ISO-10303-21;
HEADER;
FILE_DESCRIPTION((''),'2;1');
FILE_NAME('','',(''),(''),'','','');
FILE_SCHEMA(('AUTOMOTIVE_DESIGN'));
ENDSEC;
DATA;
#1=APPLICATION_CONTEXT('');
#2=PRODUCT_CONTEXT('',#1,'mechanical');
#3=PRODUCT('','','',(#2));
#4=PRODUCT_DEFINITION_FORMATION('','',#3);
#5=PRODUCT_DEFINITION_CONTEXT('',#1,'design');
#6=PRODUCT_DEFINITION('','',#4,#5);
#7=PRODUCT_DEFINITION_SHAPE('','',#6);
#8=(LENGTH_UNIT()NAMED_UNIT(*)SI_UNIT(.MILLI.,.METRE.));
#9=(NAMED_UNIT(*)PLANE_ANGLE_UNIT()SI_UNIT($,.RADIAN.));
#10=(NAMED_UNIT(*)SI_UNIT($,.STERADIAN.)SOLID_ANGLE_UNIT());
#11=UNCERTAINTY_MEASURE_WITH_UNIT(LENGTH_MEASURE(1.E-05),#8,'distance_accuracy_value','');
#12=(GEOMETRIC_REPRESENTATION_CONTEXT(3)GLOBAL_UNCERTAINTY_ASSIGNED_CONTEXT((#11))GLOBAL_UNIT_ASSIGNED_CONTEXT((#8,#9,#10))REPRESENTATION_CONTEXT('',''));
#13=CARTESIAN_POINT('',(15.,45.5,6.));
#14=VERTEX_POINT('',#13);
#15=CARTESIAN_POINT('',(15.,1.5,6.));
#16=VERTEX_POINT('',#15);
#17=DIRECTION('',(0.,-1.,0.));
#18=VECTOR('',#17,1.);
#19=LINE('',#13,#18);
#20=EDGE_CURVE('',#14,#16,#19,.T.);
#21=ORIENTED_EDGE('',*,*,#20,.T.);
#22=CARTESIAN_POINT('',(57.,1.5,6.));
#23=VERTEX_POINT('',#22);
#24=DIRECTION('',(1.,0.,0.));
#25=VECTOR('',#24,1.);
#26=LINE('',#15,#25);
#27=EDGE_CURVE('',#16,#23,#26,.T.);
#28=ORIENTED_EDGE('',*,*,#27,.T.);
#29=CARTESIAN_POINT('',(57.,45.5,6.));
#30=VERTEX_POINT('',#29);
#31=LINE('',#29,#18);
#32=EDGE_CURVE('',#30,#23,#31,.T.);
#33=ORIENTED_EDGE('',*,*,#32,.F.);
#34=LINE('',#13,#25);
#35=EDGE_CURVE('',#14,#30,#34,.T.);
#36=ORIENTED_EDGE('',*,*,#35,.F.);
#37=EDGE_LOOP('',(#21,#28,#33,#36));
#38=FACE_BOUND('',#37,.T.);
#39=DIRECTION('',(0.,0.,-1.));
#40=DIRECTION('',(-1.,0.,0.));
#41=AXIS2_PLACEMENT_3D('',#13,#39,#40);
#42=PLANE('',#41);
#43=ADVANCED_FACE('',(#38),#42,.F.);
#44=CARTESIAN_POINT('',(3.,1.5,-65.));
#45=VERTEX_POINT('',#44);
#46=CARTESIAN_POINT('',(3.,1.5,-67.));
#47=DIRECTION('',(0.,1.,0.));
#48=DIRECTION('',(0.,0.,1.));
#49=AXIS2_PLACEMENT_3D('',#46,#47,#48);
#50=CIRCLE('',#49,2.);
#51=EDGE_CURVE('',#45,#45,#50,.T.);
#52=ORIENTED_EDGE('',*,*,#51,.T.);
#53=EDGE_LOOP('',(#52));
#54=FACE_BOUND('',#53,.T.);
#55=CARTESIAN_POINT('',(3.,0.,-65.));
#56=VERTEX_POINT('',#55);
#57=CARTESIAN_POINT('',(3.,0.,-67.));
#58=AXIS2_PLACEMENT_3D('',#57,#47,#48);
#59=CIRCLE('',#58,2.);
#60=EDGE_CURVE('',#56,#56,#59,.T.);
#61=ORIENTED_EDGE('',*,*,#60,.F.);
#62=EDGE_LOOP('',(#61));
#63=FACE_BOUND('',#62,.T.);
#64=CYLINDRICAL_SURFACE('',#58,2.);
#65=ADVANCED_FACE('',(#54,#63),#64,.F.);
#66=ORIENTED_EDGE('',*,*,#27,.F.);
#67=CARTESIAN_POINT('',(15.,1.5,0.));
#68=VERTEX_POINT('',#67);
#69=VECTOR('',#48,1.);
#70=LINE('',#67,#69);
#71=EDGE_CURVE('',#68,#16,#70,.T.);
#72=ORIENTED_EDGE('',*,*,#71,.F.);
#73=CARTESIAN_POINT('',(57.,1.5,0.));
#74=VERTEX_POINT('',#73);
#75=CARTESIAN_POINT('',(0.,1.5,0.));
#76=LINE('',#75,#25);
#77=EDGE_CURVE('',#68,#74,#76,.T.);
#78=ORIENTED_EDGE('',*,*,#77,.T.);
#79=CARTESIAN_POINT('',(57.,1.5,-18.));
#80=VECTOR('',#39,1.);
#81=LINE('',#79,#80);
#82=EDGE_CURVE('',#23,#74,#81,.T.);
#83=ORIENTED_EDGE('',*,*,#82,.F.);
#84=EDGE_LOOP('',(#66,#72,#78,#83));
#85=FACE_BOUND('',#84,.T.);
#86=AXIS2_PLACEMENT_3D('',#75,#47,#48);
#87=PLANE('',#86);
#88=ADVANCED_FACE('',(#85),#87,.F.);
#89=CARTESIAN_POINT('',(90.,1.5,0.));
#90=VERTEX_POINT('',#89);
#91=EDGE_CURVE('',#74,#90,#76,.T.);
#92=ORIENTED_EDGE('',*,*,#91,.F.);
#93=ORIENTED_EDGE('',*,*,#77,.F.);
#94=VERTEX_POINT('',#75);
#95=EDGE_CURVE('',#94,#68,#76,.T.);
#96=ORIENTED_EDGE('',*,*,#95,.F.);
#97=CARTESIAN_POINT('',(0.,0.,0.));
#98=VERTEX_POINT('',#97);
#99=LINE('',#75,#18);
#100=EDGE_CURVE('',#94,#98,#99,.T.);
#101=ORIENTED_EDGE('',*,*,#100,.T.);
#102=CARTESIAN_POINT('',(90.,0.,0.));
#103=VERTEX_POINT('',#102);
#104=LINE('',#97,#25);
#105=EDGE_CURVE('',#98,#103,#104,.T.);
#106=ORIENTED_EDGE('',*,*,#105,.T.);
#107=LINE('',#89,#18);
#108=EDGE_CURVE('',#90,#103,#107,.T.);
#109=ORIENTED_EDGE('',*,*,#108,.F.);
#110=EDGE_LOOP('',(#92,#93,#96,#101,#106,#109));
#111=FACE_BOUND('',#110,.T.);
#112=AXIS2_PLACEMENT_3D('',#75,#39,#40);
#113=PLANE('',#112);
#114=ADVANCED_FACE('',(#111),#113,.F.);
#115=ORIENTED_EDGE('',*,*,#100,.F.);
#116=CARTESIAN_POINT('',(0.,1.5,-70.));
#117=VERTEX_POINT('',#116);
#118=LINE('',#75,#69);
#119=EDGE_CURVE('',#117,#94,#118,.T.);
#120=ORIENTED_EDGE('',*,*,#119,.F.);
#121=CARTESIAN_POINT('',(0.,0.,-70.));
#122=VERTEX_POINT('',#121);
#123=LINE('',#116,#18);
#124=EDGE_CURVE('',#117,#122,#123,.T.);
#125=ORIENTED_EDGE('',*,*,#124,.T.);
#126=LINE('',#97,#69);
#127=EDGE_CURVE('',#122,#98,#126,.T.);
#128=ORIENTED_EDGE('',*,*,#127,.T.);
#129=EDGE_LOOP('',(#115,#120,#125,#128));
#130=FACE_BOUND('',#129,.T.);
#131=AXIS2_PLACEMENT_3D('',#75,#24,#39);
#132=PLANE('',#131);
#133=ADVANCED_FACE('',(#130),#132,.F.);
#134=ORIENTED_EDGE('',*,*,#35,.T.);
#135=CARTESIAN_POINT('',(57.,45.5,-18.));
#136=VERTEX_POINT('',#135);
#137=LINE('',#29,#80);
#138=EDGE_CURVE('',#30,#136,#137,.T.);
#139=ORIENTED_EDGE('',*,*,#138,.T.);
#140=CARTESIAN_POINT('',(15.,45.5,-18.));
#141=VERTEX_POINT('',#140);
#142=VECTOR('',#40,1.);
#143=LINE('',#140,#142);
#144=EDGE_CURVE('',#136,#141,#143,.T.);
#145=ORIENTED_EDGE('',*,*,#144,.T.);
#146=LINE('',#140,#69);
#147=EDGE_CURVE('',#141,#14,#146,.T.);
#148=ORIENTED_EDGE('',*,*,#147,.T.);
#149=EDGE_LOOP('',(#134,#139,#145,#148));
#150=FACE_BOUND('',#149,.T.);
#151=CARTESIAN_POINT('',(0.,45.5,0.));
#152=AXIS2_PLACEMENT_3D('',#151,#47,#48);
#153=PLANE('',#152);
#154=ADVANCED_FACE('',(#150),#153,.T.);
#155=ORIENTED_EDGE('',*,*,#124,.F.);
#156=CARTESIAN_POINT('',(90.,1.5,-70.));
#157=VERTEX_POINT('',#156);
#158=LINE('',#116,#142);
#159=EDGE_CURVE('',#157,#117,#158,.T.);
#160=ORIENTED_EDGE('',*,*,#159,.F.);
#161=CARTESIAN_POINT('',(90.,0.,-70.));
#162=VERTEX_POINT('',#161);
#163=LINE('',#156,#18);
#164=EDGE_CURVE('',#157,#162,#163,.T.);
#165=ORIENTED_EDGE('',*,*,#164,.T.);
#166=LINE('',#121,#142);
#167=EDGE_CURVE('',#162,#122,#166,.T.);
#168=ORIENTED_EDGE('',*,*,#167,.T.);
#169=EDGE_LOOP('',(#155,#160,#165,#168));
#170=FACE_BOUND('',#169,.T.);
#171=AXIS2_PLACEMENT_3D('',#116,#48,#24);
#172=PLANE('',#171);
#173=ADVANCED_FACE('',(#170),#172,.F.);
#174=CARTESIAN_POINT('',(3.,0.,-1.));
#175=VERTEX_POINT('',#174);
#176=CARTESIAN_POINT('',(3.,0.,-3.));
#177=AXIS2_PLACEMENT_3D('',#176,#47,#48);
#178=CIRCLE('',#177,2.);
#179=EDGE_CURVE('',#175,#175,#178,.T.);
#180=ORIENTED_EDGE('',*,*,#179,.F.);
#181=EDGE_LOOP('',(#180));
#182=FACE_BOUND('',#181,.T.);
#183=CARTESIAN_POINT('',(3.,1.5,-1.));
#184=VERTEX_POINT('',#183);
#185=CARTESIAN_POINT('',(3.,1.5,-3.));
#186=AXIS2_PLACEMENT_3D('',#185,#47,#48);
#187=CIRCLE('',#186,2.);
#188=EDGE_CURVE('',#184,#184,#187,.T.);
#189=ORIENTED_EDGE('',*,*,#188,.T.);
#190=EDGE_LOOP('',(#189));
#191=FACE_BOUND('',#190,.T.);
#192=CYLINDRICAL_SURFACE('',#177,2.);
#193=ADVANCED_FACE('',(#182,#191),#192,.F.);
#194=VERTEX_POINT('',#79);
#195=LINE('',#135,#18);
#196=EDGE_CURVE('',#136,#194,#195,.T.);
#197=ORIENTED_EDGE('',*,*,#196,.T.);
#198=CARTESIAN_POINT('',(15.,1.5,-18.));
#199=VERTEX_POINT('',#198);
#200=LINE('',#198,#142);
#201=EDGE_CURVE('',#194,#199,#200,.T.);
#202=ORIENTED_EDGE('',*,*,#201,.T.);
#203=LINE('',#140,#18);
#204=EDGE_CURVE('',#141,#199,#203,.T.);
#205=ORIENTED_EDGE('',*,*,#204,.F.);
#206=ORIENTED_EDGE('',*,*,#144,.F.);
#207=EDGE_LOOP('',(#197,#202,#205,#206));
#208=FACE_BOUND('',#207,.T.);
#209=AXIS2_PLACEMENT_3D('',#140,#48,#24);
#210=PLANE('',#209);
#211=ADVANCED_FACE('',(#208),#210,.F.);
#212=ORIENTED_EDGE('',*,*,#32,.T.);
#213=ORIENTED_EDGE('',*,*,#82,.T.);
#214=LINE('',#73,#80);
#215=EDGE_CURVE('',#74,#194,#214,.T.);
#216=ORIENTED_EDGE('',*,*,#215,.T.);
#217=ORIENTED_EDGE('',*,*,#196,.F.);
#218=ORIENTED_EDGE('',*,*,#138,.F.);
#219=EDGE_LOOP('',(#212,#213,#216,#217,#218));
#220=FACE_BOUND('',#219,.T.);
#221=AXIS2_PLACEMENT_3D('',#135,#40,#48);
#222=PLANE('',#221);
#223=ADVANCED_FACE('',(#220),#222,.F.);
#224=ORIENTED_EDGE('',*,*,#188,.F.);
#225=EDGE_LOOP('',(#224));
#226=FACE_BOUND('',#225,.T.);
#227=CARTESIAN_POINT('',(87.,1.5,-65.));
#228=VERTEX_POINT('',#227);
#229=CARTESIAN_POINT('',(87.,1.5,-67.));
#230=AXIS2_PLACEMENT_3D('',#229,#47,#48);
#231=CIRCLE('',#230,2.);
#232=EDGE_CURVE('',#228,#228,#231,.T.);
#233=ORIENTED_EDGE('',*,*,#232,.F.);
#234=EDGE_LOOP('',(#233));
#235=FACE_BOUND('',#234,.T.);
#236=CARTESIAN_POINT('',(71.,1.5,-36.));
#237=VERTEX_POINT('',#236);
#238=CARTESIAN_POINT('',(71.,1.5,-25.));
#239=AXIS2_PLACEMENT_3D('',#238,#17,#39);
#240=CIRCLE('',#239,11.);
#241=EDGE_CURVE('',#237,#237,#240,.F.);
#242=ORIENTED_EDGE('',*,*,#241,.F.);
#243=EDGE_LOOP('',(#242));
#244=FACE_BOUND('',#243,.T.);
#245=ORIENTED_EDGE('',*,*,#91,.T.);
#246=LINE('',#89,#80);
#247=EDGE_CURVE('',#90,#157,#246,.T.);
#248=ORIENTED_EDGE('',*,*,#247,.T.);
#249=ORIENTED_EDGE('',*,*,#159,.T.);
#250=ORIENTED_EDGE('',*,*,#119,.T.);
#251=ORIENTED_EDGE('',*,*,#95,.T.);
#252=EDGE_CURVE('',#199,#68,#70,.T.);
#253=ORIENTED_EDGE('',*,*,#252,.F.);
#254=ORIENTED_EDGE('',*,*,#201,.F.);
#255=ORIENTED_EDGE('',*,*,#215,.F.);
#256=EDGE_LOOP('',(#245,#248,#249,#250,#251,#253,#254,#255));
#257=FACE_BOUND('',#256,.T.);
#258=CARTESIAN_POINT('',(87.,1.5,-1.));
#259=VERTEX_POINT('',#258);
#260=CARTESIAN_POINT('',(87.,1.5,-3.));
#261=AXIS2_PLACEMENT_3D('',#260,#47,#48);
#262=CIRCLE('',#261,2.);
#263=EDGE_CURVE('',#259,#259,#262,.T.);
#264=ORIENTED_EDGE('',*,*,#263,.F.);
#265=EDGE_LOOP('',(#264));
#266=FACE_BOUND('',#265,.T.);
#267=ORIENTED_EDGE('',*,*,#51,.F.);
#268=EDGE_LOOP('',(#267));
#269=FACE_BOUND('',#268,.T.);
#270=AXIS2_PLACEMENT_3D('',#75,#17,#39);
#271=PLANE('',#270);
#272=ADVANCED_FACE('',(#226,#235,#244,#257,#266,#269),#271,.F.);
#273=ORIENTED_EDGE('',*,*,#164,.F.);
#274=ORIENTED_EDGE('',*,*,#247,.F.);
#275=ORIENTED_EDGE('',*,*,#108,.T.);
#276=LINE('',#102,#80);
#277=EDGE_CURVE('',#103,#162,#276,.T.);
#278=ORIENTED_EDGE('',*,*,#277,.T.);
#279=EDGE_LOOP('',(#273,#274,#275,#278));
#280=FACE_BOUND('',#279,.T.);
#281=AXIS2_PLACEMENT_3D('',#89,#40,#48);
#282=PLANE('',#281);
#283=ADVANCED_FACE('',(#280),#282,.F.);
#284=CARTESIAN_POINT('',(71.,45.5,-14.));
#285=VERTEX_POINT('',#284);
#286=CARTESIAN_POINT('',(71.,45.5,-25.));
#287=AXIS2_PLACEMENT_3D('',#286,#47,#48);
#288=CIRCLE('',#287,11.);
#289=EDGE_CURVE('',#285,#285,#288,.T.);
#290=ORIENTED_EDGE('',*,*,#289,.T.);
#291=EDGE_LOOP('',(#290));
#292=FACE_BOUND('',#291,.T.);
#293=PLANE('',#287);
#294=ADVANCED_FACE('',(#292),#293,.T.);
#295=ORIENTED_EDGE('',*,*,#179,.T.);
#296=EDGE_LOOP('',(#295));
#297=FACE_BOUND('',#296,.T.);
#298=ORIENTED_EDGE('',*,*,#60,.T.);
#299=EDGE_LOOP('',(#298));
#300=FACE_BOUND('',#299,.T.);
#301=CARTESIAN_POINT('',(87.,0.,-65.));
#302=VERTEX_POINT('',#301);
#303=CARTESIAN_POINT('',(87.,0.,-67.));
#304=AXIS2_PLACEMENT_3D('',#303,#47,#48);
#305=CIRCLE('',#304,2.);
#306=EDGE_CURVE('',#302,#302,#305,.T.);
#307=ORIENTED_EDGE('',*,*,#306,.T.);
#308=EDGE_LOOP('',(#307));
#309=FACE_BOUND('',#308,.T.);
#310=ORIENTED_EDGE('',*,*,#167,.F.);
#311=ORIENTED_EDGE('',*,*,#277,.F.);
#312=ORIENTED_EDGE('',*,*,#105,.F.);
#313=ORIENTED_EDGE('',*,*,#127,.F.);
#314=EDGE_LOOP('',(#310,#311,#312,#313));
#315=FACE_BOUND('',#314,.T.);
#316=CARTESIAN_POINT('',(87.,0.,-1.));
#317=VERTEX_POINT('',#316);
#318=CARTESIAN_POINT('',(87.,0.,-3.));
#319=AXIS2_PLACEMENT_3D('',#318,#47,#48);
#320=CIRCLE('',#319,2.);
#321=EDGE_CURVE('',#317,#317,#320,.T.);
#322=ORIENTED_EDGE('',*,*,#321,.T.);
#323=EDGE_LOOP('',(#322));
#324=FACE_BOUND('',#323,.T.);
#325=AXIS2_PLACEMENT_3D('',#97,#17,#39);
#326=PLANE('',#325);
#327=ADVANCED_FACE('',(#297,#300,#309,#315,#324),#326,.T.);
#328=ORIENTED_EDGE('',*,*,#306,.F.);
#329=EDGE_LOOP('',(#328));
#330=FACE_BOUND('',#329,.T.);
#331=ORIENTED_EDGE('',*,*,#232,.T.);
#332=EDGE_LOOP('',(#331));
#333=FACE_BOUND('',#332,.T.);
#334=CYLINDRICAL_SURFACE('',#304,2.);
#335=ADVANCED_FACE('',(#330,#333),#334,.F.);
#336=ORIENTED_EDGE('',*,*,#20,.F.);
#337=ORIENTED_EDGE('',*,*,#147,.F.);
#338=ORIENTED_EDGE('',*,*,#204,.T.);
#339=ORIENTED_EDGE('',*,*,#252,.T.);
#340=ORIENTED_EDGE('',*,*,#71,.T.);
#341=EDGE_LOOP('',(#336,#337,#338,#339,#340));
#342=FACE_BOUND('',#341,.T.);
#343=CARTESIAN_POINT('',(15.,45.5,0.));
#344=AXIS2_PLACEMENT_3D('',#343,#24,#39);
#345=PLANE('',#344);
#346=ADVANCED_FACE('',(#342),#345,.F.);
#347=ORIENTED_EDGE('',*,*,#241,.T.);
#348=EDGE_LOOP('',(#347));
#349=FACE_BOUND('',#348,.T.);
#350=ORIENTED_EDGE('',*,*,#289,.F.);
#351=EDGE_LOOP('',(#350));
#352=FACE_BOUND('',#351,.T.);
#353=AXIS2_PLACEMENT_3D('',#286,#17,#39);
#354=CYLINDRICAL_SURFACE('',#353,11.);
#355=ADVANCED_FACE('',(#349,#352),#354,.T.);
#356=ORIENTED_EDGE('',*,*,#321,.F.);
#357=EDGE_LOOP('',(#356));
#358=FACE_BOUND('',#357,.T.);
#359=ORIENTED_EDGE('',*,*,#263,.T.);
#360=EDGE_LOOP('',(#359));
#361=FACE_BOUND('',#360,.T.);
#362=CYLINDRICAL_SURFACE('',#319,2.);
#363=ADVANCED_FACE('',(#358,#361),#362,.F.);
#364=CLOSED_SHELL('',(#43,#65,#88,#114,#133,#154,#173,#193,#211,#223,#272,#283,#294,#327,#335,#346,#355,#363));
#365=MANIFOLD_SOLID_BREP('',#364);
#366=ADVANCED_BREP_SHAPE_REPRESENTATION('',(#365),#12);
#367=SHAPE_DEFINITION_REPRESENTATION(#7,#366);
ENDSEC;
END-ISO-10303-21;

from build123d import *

# Parameters (mm, degrees)
ESBO_O1_W                = 90
ESBO_O1_H                = 70
RESSALTO_EXTRUS_O1_DEPTH = 1.5
ESBO_O2_R                = 2
CORTE_EXTRUS_O1_DEPTH    = 1.5
ESBO_O3_R                = 11
RESSALTO_EXTRUS_O2_DEPTH = 44


with BuildPart() as part:
    # Esboço1 → Ressalto-extrusão1 (new body)
    with BuildSketch(Plane(origin=(0, 0, 0), x_dir=(1, 0, 0), z_dir=(0, 1, 0))):
        with Locations((45, 35)):
            Rectangle(ESBO_O1_W, ESBO_O1_H)
    extrude(amount=RESSALTO_EXTRUS_O1_DEPTH)

    # Esboço2 → Corte-extrusão1 (cut)
    with BuildSketch(Plane(origin=(0, 1.5, 0), x_dir=(1, 0, 0), z_dir=(0, 1, 0))):
        with Locations((87, 3)):
            Circle(ESBO_O2_R)
        with Locations((87, 67)):
            Circle(ESBO_O2_R)
        with Locations((3, 3)):
            Circle(ESBO_O2_R)
        with Locations((3, 67)):
            Circle(ESBO_O2_R)
    extrude(amount=-CORTE_EXTRUS_O1_DEPTH, mode=Mode.SUBTRACT)

    # Esboço3 → Ressalto-extrusão2 (add)
    with BuildSketch(Plane(origin=(0, 1.5, 0), x_dir=(1, 0, 0), z_dir=(0, 1, 0))):
        with Locations((71, 25)):
            Circle(ESBO_O3_R)
        Polygon((15, 0), (15, -6), (57, -6), (57, 0), (57, 18), (15, 18), align=None)
    extrude(amount=RESSALTO_EXTRUS_O2_DEPTH)


solid = part.part
